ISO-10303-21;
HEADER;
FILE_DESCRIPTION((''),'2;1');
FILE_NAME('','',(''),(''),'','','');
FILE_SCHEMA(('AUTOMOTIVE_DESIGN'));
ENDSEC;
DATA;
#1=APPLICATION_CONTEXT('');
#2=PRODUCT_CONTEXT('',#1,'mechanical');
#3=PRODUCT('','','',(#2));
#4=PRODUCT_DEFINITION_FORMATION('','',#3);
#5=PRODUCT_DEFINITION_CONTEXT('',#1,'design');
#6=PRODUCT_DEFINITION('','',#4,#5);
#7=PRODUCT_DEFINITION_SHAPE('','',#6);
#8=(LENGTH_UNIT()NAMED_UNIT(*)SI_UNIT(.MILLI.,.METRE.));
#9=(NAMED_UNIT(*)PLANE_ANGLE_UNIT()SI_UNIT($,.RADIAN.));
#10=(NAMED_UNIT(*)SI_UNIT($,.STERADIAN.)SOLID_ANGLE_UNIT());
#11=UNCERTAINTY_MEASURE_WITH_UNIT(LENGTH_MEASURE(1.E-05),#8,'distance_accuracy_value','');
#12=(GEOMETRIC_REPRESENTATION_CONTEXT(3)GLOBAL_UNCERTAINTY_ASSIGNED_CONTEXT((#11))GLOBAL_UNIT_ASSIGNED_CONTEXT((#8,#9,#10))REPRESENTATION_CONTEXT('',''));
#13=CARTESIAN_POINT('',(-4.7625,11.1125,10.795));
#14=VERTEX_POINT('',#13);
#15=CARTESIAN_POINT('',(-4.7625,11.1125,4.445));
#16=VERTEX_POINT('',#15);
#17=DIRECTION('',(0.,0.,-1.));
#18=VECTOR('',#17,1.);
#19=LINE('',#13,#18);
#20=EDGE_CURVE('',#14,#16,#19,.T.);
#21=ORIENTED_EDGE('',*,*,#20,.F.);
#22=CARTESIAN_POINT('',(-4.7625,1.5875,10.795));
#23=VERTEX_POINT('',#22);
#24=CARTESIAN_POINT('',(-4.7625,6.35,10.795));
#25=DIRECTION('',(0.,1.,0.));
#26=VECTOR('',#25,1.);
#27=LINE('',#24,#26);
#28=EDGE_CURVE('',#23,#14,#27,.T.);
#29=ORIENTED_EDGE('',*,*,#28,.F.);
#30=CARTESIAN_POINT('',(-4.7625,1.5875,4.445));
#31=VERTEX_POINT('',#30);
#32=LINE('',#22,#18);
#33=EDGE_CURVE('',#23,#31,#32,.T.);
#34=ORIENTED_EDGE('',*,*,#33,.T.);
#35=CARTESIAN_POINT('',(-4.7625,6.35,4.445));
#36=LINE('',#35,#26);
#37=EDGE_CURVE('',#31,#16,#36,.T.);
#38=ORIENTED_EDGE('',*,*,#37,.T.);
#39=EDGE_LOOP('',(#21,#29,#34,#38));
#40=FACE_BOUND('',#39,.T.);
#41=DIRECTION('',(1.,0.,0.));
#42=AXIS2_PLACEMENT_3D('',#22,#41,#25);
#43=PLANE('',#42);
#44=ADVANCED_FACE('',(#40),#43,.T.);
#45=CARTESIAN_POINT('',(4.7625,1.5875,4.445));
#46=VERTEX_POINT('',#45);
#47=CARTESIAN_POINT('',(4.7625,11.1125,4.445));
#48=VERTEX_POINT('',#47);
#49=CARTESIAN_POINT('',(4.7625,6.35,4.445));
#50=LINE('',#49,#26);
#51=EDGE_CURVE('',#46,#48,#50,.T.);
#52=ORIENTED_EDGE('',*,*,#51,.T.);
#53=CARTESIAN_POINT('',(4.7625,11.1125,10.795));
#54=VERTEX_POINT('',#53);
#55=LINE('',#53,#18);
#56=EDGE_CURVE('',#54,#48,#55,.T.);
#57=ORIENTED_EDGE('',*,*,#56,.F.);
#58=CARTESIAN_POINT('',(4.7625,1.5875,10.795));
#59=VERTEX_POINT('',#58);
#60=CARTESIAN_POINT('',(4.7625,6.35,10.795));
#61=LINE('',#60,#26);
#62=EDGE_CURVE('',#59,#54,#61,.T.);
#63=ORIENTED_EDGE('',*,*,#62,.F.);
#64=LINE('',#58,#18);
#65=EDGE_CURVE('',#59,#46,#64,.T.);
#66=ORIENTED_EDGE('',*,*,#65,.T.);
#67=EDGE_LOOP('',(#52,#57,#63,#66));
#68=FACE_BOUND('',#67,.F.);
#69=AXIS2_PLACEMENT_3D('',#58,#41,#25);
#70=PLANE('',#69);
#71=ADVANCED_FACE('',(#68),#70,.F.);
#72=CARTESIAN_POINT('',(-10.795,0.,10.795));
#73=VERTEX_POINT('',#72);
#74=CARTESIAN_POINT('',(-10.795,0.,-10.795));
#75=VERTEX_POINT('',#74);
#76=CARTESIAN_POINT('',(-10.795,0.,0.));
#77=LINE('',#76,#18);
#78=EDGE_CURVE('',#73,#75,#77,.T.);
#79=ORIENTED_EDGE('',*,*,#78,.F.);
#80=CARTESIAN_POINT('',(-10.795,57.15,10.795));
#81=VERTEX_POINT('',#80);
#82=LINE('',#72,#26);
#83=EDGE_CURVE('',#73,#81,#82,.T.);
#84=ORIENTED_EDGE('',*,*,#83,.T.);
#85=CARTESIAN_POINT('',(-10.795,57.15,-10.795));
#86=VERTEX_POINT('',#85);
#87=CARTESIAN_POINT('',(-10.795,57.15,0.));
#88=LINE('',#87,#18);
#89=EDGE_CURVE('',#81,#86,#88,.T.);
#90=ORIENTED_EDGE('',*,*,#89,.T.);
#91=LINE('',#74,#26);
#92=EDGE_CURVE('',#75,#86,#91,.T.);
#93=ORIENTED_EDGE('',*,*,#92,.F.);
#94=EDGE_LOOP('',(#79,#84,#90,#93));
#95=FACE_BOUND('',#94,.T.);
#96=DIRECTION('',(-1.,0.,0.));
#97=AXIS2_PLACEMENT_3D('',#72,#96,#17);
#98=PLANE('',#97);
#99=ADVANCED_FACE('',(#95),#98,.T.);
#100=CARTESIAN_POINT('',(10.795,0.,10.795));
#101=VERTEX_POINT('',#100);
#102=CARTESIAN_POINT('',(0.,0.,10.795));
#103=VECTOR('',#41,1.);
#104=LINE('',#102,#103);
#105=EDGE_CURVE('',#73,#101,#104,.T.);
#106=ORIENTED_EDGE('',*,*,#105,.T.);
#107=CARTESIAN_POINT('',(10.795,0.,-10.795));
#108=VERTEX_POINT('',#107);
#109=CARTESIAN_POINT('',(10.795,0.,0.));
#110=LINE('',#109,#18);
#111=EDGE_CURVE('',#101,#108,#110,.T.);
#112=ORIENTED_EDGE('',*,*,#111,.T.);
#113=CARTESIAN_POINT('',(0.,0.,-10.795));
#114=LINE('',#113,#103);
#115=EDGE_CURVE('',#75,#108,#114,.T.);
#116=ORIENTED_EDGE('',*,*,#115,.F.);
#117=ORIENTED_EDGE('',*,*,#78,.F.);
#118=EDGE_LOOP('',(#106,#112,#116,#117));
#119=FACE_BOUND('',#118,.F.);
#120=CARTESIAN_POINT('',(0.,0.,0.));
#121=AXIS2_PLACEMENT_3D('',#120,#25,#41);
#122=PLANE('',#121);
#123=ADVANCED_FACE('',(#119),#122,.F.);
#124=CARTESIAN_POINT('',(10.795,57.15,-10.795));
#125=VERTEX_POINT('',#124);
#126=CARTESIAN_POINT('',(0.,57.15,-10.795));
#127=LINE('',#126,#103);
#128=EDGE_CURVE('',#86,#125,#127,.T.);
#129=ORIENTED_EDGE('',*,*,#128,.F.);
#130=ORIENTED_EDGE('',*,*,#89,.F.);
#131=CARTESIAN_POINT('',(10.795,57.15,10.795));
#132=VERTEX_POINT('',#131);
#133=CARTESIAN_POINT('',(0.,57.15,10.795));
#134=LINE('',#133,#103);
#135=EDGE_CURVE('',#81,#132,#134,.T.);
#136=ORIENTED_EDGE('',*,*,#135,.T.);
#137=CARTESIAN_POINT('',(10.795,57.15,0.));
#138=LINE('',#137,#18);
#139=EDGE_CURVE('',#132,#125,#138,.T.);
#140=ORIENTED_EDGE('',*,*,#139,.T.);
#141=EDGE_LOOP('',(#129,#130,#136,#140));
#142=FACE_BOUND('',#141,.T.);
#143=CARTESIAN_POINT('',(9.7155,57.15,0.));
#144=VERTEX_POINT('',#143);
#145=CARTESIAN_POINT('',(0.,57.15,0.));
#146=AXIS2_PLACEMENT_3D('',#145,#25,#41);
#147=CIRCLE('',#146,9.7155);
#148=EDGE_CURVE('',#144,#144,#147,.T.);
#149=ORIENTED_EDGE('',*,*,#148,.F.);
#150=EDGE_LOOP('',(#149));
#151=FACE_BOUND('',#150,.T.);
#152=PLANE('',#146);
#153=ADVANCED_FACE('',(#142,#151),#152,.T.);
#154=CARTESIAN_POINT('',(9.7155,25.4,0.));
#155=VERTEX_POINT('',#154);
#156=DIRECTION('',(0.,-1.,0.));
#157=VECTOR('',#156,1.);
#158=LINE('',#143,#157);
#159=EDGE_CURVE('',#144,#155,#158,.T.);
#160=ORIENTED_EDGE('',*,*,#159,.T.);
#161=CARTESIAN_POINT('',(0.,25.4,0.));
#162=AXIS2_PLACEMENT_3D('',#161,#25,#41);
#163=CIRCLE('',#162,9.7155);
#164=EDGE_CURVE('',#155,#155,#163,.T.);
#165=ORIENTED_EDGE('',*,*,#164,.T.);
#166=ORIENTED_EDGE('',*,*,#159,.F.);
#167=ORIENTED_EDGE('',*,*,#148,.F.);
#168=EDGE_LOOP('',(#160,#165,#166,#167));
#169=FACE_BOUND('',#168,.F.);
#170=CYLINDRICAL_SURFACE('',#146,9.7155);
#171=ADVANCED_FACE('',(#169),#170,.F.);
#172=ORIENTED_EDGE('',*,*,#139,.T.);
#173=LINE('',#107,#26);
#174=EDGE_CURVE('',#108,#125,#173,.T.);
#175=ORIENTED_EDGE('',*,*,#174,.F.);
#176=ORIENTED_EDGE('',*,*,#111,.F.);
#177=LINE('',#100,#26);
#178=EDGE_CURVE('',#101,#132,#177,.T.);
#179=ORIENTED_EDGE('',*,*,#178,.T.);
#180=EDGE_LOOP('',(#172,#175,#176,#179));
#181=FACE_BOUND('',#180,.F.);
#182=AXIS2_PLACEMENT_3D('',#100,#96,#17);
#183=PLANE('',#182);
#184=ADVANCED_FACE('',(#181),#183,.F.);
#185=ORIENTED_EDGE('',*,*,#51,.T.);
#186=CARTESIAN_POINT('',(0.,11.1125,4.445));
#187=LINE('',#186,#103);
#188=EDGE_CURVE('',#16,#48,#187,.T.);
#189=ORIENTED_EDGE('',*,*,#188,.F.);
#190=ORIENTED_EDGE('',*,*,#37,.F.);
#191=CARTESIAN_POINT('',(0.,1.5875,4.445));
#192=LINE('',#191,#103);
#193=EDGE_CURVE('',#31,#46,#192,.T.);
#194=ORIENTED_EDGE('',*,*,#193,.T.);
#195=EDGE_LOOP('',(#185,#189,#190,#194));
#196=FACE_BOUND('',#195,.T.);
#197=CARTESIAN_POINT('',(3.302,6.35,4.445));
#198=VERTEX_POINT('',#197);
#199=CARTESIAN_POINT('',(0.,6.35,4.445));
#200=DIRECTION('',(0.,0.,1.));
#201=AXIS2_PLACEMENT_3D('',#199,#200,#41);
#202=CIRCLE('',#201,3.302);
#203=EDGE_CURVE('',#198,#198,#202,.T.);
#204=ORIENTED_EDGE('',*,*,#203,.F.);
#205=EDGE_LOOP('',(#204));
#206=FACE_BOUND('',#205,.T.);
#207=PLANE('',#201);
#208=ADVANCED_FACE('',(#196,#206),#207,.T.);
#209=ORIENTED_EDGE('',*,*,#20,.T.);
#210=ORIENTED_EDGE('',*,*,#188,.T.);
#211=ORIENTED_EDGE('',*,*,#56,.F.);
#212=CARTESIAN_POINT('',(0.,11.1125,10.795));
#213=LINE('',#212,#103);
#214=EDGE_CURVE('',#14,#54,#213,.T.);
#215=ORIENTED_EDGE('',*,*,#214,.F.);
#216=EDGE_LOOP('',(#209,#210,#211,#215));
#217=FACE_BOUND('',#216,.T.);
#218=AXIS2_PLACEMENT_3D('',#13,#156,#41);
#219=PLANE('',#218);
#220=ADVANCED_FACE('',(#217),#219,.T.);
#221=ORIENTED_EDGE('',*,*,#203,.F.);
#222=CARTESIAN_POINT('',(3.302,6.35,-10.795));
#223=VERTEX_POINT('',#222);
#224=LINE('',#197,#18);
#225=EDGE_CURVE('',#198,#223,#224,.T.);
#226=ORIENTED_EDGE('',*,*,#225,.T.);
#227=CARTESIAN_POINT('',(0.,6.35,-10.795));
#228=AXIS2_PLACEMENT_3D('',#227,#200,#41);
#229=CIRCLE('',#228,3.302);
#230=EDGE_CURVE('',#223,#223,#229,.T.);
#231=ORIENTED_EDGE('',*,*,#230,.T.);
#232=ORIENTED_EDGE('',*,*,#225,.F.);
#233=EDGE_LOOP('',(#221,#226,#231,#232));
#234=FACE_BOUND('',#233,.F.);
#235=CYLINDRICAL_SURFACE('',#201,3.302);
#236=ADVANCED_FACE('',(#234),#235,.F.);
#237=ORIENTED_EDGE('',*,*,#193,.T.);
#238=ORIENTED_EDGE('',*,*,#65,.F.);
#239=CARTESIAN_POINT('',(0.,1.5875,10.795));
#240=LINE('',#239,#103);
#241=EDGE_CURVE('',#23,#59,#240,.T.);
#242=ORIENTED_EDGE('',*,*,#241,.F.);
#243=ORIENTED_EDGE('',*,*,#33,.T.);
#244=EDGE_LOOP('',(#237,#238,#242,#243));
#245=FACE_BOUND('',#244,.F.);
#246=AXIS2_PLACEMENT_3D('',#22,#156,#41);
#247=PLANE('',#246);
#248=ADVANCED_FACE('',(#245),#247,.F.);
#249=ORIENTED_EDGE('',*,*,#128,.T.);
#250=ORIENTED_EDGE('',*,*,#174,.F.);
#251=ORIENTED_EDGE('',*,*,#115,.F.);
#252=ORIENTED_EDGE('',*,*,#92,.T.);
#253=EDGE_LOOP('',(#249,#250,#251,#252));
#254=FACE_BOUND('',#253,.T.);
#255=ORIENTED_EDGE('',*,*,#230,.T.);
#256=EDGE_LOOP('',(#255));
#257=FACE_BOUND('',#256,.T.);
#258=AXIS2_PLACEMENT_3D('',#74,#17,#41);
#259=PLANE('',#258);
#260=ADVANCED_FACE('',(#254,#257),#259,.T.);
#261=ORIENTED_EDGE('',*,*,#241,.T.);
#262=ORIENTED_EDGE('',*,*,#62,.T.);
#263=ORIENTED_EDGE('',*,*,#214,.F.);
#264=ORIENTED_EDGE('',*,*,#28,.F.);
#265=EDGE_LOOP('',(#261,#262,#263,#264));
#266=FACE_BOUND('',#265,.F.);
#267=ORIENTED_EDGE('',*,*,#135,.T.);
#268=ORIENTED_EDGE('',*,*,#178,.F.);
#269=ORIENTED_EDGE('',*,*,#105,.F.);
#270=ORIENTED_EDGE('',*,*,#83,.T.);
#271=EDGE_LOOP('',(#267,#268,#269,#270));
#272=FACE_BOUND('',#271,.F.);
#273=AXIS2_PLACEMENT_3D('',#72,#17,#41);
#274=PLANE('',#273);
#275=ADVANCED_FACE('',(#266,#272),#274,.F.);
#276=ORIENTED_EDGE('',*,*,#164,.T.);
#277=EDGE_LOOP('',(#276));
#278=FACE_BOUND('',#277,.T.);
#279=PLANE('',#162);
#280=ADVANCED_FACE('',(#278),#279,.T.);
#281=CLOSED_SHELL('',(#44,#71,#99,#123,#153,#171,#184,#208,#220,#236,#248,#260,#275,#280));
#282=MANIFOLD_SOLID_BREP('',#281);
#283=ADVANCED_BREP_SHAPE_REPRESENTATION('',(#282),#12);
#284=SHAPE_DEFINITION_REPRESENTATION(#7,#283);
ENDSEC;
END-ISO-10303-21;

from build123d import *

# Parameters (mm, degrees)
SKETCH1_W           = 21.59
SKETCH1_H           = 21.59
BOSS_EXTRUDE1_DEPTH = 57.15
SKETCH2_W           = 9.525
SKETCH2_H           = 9.525
CUT_EXTRUDE1_DEPTH  = 6.35
SKETCH3_R           = 3.302
CUT_EXTRUDE2_DEPTH  = 16.24
SKETCH4_R           = 9.7155
CUT_EXTRUDE3_DEPTH  = 31.75


with BuildPart() as part:
    # Sketch1 → Boss-Extrude1 (new body)
    with BuildSketch(Plane(origin=(0, 0, 0), x_dir=(1, 0, 0), z_dir=(0, 1, 0))):
        Rectangle(SKETCH1_W, SKETCH1_H)
    extrude(amount=BOSS_EXTRUDE1_DEPTH)

    # Sketch2 → Cut-Extrude1 (cut)
    with BuildSketch(Plane.XY.offset(10.795)):
        with Locations((0, 6.35)):
            Rectangle(SKETCH2_W, SKETCH2_H)
    extrude(amount=-CUT_EXTRUDE1_DEPTH, mode=Mode.SUBTRACT)

    # Sketch3 → Cut-Extrude2 (cut, through all)
    with BuildSketch(Plane.XY.offset(4.445)):
        with Locations((0, 6.35)):
            Circle(SKETCH3_R)
    extrude(amount=-CUT_EXTRUDE2_DEPTH, mode=Mode.SUBTRACT)

    # Sketch4 → Cut-Extrude3 (cut)
    with BuildSketch(Plane(origin=(0, 57.15, 0), x_dir=(1, 0, 0), z_dir=(0, 1, 0))):
        Circle(SKETCH4_R)
    extrude(amount=-CUT_EXTRUDE3_DEPTH, mode=Mode.SUBTRACT)


solid = part.part
